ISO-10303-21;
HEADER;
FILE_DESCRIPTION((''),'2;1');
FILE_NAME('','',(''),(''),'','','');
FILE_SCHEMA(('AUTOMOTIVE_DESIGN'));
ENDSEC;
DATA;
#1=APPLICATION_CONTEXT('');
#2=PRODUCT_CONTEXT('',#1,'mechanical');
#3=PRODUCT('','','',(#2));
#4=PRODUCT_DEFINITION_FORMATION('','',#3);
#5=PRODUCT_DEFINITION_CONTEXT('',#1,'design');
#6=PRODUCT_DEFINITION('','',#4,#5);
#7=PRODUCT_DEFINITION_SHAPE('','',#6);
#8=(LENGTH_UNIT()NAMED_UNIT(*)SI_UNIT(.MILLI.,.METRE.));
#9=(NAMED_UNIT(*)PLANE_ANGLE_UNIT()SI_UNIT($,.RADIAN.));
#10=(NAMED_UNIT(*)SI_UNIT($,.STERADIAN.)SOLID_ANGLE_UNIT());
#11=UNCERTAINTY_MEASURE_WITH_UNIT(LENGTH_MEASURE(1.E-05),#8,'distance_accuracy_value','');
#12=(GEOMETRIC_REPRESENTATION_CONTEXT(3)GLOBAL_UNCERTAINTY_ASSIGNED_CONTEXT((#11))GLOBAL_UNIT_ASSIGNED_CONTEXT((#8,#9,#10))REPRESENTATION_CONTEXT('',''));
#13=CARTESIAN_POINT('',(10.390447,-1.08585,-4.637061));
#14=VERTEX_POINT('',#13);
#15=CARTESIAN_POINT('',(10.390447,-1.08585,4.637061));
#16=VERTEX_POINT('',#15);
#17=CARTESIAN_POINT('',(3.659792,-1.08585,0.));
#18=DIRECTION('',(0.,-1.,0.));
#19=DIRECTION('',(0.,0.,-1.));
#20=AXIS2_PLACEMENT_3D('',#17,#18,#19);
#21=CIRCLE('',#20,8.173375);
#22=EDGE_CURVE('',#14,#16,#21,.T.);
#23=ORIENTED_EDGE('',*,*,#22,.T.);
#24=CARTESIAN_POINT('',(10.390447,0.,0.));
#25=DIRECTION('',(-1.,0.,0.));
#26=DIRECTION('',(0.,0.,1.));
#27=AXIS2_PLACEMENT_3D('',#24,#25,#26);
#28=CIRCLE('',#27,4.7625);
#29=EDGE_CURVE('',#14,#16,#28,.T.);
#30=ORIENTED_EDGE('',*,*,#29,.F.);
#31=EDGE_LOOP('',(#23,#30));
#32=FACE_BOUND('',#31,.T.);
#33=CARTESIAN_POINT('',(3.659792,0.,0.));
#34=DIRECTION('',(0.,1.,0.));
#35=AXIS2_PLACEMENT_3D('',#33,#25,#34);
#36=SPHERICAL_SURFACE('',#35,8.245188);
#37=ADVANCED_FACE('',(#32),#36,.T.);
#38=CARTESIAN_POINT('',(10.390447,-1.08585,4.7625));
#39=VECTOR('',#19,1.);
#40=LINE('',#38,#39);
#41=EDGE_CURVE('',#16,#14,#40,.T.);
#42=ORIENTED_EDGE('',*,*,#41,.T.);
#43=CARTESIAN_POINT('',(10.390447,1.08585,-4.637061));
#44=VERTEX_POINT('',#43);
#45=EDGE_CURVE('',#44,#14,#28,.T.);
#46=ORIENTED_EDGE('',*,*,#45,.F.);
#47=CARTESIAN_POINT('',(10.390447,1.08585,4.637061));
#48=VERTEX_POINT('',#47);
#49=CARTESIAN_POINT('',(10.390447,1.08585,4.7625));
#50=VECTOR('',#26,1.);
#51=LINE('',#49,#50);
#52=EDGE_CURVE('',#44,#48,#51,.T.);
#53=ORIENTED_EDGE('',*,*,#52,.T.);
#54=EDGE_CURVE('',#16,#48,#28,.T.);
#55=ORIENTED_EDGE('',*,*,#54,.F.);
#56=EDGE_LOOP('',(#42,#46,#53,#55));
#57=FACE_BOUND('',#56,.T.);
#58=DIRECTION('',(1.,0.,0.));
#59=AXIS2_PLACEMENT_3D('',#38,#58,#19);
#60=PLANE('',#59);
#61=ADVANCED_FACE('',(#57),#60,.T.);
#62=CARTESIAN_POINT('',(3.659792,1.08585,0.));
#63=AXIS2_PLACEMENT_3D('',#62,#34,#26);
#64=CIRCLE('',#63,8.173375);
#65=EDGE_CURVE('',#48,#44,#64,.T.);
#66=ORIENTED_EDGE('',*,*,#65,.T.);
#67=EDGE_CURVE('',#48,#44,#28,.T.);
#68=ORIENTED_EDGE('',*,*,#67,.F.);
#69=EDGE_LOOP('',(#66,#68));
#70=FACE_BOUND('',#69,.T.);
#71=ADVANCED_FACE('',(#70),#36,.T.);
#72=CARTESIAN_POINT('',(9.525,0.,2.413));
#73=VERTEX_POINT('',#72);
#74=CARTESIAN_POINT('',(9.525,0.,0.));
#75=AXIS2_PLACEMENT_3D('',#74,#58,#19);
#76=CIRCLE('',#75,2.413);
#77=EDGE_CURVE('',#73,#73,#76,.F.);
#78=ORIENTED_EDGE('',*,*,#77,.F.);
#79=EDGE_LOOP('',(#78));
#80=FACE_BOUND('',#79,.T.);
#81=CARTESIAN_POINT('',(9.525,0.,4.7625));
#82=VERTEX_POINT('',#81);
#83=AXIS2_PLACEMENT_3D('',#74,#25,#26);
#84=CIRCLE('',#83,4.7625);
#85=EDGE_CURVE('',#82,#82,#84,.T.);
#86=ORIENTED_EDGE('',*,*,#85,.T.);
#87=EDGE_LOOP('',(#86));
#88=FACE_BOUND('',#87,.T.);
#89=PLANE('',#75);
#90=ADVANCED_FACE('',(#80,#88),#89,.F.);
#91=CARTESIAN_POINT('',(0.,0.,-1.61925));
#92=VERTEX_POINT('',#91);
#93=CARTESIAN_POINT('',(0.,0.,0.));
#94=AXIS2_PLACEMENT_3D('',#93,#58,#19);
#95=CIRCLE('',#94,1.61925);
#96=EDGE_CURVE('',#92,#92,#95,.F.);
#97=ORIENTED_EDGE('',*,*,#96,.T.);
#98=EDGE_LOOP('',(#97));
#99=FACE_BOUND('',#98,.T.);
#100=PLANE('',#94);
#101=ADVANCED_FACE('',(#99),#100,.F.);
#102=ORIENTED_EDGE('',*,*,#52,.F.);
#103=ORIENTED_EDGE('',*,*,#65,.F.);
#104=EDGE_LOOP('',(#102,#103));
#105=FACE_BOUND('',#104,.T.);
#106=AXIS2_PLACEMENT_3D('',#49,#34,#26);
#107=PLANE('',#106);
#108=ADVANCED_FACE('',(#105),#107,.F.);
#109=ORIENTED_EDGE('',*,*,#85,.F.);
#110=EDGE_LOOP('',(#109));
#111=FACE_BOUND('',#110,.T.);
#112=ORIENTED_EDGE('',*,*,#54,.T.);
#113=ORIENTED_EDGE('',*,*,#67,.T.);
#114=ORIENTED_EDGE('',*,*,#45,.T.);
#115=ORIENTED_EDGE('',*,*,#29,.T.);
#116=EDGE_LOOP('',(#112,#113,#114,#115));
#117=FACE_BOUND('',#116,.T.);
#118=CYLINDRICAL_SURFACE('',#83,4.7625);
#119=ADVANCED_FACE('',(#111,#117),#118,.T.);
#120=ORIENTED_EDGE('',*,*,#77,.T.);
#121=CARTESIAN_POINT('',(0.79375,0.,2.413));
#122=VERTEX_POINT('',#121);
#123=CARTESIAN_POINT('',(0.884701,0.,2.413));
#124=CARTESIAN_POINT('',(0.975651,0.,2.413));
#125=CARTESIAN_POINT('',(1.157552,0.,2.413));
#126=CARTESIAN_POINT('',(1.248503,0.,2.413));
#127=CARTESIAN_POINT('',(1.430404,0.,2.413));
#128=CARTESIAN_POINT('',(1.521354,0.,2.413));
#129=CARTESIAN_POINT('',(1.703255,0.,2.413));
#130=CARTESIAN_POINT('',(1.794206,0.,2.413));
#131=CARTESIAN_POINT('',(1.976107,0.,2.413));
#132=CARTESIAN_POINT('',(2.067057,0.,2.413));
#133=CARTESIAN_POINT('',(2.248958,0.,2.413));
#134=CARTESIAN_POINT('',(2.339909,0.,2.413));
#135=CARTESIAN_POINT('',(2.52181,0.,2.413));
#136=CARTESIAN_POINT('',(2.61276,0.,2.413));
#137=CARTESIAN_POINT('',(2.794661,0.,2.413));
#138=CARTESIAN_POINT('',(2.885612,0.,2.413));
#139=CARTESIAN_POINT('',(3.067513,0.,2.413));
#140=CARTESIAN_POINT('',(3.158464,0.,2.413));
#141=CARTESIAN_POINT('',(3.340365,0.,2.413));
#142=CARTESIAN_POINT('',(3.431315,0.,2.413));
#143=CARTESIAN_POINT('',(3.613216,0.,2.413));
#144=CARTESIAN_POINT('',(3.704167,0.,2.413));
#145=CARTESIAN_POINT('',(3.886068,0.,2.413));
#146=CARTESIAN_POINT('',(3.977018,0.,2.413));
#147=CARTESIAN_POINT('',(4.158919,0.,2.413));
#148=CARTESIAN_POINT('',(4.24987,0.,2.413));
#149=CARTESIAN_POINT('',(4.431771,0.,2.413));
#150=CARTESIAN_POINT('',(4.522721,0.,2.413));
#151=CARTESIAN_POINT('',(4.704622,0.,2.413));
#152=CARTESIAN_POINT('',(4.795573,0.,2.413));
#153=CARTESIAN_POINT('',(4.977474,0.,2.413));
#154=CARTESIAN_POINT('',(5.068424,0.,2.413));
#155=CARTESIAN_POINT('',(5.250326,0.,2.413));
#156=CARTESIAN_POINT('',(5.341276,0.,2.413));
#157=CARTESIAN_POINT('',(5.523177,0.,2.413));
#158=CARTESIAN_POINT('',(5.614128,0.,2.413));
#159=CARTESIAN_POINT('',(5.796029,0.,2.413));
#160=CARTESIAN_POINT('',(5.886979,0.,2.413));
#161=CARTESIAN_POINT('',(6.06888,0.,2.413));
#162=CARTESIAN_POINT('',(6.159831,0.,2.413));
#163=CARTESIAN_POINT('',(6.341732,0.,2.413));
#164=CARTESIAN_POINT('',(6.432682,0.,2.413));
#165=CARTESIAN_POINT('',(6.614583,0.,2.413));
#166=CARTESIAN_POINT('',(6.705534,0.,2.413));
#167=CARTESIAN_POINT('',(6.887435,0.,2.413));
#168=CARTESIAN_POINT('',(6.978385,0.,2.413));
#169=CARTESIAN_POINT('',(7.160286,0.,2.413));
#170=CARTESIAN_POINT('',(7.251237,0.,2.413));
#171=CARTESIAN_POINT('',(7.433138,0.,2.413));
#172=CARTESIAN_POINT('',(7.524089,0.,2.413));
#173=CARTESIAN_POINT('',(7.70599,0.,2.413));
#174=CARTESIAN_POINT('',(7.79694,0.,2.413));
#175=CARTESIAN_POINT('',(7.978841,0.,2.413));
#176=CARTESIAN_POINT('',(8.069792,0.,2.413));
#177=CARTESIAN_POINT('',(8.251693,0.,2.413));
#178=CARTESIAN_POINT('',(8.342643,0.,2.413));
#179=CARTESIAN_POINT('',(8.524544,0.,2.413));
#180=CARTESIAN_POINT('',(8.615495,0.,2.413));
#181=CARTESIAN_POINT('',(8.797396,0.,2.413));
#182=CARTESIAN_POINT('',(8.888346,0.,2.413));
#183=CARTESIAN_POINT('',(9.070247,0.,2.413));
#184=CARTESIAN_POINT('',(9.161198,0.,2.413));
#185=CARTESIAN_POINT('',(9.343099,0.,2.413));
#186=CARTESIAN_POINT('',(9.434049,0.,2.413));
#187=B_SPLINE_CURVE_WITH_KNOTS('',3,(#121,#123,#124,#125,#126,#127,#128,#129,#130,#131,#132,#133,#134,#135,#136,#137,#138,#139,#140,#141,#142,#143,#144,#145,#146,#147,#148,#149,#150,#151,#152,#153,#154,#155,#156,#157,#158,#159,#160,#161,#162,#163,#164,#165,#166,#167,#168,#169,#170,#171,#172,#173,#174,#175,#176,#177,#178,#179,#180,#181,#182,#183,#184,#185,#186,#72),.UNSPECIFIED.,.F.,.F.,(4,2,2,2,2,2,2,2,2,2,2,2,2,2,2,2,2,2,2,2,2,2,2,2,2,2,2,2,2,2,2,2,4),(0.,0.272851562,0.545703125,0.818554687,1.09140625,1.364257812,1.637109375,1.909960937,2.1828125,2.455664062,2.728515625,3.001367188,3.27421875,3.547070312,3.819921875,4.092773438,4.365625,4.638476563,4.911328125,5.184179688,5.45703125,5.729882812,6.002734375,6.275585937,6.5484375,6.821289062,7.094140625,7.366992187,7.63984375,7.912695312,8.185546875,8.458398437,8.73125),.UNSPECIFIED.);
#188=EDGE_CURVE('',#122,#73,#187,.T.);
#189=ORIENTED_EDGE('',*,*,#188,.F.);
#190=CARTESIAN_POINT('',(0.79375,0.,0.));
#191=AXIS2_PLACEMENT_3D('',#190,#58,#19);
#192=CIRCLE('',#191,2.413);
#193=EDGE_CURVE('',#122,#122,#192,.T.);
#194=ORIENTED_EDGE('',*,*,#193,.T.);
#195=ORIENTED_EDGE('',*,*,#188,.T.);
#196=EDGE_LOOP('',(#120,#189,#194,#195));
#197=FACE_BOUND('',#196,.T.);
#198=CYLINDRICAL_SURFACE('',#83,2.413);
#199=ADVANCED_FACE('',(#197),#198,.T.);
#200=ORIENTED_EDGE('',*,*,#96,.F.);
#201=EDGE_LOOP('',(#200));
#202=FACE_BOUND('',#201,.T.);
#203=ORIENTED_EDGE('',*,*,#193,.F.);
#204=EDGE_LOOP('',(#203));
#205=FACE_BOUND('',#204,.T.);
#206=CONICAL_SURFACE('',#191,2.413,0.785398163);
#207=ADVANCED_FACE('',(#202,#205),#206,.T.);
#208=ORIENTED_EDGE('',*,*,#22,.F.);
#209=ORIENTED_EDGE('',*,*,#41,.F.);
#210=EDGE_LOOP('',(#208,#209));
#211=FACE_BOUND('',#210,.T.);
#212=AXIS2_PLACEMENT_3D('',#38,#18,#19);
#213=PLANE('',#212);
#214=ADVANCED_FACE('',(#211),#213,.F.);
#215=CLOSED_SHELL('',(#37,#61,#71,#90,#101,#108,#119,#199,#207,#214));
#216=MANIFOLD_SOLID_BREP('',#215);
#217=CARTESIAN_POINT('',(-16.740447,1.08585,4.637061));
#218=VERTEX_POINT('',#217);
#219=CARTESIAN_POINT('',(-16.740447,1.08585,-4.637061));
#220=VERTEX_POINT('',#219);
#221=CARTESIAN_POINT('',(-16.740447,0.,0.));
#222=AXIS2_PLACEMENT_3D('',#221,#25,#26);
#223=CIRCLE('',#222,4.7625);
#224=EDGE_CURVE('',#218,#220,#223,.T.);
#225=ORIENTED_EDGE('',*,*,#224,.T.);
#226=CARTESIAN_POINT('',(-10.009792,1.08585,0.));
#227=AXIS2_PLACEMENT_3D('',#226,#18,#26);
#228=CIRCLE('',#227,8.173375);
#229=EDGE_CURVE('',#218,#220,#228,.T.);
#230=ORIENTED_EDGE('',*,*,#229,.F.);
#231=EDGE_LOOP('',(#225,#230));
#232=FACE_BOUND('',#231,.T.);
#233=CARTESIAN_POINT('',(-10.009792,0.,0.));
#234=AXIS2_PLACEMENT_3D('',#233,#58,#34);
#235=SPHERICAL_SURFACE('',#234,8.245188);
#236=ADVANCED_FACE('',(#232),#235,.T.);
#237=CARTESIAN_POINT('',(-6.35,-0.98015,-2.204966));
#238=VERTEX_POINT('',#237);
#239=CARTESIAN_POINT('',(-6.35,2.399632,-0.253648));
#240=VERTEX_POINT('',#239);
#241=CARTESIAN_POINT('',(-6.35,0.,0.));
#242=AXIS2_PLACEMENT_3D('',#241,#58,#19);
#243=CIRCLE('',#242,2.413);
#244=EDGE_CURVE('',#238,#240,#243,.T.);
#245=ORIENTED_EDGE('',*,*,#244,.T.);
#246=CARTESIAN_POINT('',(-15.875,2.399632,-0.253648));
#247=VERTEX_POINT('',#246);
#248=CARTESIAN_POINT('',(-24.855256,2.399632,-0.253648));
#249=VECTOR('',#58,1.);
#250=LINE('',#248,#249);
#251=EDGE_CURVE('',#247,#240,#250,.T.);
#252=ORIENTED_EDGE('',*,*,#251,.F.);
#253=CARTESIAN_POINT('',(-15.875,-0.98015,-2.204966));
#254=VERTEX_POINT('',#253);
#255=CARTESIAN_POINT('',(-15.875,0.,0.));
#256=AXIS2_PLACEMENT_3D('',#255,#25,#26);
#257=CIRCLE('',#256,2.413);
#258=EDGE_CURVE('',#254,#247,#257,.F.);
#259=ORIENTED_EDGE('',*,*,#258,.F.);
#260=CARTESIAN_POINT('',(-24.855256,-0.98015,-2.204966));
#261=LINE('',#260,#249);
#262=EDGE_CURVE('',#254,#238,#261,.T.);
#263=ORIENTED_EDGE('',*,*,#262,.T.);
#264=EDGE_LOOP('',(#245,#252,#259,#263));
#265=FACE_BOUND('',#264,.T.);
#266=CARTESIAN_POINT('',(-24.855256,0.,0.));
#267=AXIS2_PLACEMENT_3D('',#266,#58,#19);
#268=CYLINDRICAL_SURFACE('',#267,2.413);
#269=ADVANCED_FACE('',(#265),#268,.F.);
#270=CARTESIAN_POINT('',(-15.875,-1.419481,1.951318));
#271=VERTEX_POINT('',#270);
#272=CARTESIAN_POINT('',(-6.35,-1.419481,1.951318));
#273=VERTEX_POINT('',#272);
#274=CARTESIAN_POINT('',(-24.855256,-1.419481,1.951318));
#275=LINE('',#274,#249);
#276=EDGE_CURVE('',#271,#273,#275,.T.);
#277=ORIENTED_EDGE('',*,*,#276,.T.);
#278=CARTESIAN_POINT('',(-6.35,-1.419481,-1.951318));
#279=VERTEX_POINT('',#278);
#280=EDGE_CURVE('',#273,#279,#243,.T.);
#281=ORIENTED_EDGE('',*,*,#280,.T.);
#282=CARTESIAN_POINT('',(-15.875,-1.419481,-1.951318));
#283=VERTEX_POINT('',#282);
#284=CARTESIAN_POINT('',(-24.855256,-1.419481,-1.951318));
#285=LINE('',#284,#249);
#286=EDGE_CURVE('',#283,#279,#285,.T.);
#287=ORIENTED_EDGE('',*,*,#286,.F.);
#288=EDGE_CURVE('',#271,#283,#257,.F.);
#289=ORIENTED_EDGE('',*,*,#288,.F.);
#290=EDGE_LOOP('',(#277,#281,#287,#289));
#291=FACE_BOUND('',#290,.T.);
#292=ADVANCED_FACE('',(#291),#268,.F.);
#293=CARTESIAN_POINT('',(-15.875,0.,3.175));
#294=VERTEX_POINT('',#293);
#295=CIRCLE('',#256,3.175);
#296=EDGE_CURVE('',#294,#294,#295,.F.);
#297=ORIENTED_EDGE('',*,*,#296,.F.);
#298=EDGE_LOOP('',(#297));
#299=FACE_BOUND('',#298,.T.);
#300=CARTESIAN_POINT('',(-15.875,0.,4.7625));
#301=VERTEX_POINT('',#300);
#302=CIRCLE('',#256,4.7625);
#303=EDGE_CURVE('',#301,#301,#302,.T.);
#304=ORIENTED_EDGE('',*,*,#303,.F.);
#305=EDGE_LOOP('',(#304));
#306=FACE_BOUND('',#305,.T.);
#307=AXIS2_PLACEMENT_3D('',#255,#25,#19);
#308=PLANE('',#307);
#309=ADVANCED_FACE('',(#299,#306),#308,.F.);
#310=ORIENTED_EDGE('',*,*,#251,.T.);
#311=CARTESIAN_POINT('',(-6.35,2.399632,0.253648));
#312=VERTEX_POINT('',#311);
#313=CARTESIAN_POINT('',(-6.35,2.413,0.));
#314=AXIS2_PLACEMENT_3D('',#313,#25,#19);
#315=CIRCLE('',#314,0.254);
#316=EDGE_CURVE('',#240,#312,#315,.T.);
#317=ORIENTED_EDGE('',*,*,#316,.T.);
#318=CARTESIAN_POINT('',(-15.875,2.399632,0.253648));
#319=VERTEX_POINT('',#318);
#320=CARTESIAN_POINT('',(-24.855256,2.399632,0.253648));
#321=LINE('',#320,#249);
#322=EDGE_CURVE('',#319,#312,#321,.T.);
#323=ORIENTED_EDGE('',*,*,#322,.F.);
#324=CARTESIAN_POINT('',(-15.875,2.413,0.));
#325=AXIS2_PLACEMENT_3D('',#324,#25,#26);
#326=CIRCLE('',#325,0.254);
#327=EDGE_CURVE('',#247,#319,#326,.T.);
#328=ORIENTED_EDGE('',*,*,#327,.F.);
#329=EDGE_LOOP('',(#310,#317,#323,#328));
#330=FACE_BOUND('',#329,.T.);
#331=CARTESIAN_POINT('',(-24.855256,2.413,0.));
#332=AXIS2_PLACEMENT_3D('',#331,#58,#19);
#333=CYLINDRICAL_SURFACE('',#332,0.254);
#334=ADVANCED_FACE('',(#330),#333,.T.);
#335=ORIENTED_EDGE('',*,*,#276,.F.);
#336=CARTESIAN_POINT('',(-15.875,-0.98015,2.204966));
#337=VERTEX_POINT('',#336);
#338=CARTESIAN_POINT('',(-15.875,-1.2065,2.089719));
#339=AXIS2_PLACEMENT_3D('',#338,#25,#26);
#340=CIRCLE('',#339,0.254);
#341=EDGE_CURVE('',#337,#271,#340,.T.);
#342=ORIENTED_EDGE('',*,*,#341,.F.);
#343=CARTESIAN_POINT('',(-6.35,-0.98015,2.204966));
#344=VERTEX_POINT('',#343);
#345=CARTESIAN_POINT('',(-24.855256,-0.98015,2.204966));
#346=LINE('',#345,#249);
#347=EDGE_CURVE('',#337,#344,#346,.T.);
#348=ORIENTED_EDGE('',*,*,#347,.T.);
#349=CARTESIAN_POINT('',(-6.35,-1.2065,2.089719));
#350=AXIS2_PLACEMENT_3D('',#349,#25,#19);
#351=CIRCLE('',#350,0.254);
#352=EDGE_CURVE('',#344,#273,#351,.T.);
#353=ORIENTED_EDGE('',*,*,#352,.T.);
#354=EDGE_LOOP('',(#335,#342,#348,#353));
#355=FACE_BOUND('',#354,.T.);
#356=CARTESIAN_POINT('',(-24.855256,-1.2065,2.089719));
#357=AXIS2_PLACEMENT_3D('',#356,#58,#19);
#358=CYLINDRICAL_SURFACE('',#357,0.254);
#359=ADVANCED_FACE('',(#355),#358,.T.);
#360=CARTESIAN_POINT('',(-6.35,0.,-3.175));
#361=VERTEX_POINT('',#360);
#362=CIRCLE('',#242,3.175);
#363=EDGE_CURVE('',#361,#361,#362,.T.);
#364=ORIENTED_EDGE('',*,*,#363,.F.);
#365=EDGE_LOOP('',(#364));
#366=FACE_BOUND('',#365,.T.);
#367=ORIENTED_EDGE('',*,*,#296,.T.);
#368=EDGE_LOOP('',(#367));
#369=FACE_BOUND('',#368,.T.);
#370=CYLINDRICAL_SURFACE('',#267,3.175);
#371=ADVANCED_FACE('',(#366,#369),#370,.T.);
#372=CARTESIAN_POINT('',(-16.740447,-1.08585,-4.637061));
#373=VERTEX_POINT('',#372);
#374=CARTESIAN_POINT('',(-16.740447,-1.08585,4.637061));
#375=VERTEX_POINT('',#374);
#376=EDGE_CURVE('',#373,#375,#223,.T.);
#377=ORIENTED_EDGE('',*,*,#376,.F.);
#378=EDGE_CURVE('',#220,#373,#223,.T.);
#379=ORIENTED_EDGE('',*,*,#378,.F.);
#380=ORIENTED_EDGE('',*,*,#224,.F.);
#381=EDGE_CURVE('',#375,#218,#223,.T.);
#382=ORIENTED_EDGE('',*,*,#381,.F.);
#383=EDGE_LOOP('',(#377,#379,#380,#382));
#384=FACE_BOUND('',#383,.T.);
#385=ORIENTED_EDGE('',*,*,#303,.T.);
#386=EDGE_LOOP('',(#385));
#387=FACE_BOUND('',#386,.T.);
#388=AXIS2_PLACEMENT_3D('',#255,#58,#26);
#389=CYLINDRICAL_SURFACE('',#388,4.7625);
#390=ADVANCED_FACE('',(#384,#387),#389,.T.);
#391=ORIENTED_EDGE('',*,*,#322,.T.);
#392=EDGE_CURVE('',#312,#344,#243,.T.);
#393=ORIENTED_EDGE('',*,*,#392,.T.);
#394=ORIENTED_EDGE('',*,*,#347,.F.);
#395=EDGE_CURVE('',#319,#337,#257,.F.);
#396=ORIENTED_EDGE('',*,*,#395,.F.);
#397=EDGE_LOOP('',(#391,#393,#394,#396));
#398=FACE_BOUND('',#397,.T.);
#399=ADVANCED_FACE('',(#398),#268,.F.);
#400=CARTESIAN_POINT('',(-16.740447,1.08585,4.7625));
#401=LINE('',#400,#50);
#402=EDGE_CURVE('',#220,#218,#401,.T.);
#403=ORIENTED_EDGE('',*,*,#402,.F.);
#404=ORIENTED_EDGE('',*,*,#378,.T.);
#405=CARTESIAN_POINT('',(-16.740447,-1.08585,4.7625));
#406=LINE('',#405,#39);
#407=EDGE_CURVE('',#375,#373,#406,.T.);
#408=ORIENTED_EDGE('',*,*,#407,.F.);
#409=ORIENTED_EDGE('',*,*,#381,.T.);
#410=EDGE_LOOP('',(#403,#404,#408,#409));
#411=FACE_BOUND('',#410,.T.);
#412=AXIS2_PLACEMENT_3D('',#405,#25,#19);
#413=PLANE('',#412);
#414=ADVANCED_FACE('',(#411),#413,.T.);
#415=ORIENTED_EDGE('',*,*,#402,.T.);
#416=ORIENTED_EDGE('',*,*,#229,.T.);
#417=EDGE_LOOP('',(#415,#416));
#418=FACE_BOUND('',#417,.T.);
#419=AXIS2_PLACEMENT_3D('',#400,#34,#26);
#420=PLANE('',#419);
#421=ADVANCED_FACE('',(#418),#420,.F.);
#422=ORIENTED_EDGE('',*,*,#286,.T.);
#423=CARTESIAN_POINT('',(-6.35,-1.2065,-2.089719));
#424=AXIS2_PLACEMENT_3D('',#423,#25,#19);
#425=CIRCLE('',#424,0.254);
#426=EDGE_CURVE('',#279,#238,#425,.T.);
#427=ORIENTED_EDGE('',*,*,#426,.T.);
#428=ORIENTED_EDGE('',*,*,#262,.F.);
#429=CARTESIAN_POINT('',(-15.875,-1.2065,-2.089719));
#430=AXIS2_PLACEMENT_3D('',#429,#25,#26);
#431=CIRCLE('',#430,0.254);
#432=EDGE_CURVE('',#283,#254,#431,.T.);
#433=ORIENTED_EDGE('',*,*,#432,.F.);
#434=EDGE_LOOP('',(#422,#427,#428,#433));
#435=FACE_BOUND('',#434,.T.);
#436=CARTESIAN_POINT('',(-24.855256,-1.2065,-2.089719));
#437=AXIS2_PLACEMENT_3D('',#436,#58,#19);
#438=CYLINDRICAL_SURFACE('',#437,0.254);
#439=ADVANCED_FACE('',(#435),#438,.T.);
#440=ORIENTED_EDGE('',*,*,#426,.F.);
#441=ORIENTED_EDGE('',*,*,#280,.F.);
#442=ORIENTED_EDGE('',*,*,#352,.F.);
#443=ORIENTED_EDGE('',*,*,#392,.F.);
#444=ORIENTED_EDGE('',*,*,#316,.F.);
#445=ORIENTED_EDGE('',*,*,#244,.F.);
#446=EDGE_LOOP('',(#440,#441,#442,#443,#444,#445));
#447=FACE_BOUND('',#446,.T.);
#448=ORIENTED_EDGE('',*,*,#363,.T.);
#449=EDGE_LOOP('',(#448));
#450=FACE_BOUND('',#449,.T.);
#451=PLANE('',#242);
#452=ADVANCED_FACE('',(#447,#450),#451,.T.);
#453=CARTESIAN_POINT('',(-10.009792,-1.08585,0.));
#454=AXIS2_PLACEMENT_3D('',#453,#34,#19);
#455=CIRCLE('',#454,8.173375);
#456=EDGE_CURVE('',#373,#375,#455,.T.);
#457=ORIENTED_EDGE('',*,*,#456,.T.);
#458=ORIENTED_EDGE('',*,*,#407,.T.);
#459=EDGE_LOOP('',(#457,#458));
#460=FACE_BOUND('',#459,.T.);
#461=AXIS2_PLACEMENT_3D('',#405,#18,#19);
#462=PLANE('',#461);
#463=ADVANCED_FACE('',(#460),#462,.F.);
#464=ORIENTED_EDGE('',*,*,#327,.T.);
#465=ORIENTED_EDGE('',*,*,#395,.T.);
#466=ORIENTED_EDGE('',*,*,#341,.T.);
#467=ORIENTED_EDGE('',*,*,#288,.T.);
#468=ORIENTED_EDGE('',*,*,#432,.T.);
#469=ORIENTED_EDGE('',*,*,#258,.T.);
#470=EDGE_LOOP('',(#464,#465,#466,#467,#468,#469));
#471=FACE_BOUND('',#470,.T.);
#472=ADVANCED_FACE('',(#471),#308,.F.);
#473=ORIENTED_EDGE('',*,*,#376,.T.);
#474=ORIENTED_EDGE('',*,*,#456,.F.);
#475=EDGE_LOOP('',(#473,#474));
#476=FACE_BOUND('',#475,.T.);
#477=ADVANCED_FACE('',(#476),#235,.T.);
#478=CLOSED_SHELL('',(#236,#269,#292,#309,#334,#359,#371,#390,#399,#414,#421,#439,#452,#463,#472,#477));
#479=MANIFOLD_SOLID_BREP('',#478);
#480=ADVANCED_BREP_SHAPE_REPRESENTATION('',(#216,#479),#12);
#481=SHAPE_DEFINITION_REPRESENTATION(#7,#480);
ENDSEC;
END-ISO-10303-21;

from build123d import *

# Parameters (mm, degrees)
SKETCH2_R           = 2.413
BOSS_EXTRUDE1_DEPTH = 9.525
CHAMFER1_SIZE       = 0.79375
SKETCH17_W          = 9.525
SKETCH17_H          = 2.1717
CUT_EXTRUDE5_DEPTH  = 1.514533
BOSS_EXTRUDE3_REACH = 21.39
SKETCH11_R          = 3.175


with BuildPart() as part:
    # Sketch2 → Boss-Extrude1 (new body)
    with BuildSketch(Plane(origin=(0, 0, 0), x_dir=(0, 0, -1), z_dir=(1, 0, 0))):
        with Locations(Location((0, 0, 0), (0, 0, 180))):
            Circle(SKETCH2_R)
    extrude(amount=BOSS_EXTRUDE1_DEPTH)

    # Chamfer1
    chamfer1_edges = [part.edges().sort_by_distance(p)[0] for p in [
        (0, 0, -2.413),
    ]]
    chamfer(chamfer1_edges, length=CHAMFER1_SIZE)


with BuildPart() as body_2:
    # Sketch6 → Revolve1 (revolve)
    with BuildSketch(Plane.XY):
        with BuildLine():
            Line((9.525, 0), (9.525, 4.7625))
            Line((9.525, 4.7625), (10.390447273, 4.7625))
            ThreePointArc((10.390447273, 4.7625), (11.517229345, 2.498760474), (11.90498, 0))
            Line((11.90498, 0), (9.525, 0))
        make_face()
    revolve(axis=Axis((9.525, 0, 0), (1, 0, 0)))

    # Sketch17 → Cut-Extrude5 (cut)
    with BuildSketch(Plane(origin=(11.90498, 0, 0), x_dir=(0, 0, -1), z_dir=(1, 0, 0))):
        Rectangle(SKETCH17_W, SKETCH17_H)
    extrude(amount=-CUT_EXTRUDE5_DEPTH, mode=Mode.SUBTRACT)


with BuildPart() as body_3:
    # Mirror1: mirrored copy
    add(body_2.part.mirror(Plane(origin=(-3.175, 0, 0), x_dir=(0, 0, 1), z_dir=(1, 0, 0))))


with BuildPart() as body_4:

    # Sketch11 → Boss-Extrude3 (new, up to next)
    with BuildSketch(Plane(origin=(-6.35, 0, 0), x_dir=(0, 0, -1), z_dir=(1, 0, 0)), mode=Mode.PRIVATE) as boss_extrude3_sk1:
        Circle(SKETCH11_R)
        with BuildLine():
            ThreePointArc((-0.253647955, 2.399631579), (-2.089719299, 1.2065), (-2.204965885, -0.980150216))
            ThreePointArc((-2.204965885, -0.980150216), (-1.869748847, -1.0795), (-1.951317929, -1.419481363))
            ThreePointArc((-1.951317929, -1.419481363), (0, -2.413), (1.951317929, -1.419481363))
            ThreePointArc((1.951317929, -1.419481363), (1.869748847, -1.0795), (2.204965885, -0.980150216))
            ThreePointArc((2.204965885, -0.980150216), (2.089719299, 1.2065), (0.253647955, 2.399631579))
            ThreePointArc((0.253647955, 2.399631579), (0, 2.159), (-0.253647955, 2.399631579))
        make_face(mode=Mode.SUBTRACT)
    boss_extrude3_tool1 = extrude(boss_extrude3_sk1.sketch, amount=-BOSS_EXTRUDE3_REACH, mode=Mode.PRIVATE) - body_3.part
    add(boss_extrude3_tool1.solids().sort_by_distance((-6.35, 0, 3.085197))[0])

    # Combine1: union body 3
    add(body_3.part)


with BuildPart() as body_2_1:
    add(body_2.part)

    # Combine2: union part
    add(part.part)


solid = Compound([body_4.part, body_2_1.part])
